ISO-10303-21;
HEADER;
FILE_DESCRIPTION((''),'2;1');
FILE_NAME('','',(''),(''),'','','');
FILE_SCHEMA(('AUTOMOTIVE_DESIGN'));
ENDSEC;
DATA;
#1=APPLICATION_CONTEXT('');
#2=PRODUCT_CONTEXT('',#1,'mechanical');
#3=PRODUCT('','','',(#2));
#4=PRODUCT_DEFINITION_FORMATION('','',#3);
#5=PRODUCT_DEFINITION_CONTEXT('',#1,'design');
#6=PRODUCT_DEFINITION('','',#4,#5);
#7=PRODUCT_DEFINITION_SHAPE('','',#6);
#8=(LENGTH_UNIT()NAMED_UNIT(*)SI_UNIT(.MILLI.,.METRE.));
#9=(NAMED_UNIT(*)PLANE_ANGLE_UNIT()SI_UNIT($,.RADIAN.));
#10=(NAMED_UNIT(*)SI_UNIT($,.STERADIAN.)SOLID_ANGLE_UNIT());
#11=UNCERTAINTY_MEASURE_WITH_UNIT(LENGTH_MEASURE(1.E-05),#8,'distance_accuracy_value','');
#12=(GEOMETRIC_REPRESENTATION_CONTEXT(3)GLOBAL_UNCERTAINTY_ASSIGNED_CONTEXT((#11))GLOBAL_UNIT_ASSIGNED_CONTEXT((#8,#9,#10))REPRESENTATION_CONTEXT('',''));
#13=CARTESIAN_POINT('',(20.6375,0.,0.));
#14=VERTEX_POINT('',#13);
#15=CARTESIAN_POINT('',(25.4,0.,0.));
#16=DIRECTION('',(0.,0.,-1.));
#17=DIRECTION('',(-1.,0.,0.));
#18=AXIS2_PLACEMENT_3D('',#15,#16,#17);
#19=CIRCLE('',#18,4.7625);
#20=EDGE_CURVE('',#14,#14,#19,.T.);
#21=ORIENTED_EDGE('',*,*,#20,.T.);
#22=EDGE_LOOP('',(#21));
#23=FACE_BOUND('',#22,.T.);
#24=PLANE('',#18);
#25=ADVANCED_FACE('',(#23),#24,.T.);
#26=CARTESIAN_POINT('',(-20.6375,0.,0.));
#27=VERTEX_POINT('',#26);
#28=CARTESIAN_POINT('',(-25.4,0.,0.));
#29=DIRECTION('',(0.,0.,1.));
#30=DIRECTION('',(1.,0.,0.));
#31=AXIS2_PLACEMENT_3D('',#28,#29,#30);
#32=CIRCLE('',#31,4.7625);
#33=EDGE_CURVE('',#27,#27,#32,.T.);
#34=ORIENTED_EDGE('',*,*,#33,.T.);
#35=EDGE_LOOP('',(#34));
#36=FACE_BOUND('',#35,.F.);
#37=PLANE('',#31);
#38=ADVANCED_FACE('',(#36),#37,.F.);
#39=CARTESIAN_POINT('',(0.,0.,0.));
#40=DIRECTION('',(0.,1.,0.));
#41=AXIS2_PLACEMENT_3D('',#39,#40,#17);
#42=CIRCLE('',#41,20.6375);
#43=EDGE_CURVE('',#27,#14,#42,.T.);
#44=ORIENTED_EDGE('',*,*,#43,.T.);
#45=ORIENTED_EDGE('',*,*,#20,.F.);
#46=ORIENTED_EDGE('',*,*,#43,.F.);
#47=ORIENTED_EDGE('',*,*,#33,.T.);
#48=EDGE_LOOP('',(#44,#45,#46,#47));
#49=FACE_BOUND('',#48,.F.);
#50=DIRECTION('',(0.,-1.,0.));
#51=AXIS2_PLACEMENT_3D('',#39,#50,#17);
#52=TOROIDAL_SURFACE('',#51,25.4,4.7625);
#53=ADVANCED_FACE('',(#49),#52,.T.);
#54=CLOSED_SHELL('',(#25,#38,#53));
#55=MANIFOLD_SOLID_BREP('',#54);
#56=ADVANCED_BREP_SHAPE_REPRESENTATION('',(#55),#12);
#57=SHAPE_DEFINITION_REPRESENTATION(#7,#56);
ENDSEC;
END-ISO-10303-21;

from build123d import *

# Parameters (mm, degrees)
F0_R     = 4.7625
F1_ANGLE = 180


with BuildPart() as f1:
    # F0 (on Top) → F1 (revolve)
    with BuildSketch(Plane.XY):
        with Locations((-25.4, 0)):
            Circle(F0_R)
    revolve(axis=Axis((0, -11.05636, 0), (0, 1, 0)), revolution_arc=F1_ANGLE)


solid = f1.part
